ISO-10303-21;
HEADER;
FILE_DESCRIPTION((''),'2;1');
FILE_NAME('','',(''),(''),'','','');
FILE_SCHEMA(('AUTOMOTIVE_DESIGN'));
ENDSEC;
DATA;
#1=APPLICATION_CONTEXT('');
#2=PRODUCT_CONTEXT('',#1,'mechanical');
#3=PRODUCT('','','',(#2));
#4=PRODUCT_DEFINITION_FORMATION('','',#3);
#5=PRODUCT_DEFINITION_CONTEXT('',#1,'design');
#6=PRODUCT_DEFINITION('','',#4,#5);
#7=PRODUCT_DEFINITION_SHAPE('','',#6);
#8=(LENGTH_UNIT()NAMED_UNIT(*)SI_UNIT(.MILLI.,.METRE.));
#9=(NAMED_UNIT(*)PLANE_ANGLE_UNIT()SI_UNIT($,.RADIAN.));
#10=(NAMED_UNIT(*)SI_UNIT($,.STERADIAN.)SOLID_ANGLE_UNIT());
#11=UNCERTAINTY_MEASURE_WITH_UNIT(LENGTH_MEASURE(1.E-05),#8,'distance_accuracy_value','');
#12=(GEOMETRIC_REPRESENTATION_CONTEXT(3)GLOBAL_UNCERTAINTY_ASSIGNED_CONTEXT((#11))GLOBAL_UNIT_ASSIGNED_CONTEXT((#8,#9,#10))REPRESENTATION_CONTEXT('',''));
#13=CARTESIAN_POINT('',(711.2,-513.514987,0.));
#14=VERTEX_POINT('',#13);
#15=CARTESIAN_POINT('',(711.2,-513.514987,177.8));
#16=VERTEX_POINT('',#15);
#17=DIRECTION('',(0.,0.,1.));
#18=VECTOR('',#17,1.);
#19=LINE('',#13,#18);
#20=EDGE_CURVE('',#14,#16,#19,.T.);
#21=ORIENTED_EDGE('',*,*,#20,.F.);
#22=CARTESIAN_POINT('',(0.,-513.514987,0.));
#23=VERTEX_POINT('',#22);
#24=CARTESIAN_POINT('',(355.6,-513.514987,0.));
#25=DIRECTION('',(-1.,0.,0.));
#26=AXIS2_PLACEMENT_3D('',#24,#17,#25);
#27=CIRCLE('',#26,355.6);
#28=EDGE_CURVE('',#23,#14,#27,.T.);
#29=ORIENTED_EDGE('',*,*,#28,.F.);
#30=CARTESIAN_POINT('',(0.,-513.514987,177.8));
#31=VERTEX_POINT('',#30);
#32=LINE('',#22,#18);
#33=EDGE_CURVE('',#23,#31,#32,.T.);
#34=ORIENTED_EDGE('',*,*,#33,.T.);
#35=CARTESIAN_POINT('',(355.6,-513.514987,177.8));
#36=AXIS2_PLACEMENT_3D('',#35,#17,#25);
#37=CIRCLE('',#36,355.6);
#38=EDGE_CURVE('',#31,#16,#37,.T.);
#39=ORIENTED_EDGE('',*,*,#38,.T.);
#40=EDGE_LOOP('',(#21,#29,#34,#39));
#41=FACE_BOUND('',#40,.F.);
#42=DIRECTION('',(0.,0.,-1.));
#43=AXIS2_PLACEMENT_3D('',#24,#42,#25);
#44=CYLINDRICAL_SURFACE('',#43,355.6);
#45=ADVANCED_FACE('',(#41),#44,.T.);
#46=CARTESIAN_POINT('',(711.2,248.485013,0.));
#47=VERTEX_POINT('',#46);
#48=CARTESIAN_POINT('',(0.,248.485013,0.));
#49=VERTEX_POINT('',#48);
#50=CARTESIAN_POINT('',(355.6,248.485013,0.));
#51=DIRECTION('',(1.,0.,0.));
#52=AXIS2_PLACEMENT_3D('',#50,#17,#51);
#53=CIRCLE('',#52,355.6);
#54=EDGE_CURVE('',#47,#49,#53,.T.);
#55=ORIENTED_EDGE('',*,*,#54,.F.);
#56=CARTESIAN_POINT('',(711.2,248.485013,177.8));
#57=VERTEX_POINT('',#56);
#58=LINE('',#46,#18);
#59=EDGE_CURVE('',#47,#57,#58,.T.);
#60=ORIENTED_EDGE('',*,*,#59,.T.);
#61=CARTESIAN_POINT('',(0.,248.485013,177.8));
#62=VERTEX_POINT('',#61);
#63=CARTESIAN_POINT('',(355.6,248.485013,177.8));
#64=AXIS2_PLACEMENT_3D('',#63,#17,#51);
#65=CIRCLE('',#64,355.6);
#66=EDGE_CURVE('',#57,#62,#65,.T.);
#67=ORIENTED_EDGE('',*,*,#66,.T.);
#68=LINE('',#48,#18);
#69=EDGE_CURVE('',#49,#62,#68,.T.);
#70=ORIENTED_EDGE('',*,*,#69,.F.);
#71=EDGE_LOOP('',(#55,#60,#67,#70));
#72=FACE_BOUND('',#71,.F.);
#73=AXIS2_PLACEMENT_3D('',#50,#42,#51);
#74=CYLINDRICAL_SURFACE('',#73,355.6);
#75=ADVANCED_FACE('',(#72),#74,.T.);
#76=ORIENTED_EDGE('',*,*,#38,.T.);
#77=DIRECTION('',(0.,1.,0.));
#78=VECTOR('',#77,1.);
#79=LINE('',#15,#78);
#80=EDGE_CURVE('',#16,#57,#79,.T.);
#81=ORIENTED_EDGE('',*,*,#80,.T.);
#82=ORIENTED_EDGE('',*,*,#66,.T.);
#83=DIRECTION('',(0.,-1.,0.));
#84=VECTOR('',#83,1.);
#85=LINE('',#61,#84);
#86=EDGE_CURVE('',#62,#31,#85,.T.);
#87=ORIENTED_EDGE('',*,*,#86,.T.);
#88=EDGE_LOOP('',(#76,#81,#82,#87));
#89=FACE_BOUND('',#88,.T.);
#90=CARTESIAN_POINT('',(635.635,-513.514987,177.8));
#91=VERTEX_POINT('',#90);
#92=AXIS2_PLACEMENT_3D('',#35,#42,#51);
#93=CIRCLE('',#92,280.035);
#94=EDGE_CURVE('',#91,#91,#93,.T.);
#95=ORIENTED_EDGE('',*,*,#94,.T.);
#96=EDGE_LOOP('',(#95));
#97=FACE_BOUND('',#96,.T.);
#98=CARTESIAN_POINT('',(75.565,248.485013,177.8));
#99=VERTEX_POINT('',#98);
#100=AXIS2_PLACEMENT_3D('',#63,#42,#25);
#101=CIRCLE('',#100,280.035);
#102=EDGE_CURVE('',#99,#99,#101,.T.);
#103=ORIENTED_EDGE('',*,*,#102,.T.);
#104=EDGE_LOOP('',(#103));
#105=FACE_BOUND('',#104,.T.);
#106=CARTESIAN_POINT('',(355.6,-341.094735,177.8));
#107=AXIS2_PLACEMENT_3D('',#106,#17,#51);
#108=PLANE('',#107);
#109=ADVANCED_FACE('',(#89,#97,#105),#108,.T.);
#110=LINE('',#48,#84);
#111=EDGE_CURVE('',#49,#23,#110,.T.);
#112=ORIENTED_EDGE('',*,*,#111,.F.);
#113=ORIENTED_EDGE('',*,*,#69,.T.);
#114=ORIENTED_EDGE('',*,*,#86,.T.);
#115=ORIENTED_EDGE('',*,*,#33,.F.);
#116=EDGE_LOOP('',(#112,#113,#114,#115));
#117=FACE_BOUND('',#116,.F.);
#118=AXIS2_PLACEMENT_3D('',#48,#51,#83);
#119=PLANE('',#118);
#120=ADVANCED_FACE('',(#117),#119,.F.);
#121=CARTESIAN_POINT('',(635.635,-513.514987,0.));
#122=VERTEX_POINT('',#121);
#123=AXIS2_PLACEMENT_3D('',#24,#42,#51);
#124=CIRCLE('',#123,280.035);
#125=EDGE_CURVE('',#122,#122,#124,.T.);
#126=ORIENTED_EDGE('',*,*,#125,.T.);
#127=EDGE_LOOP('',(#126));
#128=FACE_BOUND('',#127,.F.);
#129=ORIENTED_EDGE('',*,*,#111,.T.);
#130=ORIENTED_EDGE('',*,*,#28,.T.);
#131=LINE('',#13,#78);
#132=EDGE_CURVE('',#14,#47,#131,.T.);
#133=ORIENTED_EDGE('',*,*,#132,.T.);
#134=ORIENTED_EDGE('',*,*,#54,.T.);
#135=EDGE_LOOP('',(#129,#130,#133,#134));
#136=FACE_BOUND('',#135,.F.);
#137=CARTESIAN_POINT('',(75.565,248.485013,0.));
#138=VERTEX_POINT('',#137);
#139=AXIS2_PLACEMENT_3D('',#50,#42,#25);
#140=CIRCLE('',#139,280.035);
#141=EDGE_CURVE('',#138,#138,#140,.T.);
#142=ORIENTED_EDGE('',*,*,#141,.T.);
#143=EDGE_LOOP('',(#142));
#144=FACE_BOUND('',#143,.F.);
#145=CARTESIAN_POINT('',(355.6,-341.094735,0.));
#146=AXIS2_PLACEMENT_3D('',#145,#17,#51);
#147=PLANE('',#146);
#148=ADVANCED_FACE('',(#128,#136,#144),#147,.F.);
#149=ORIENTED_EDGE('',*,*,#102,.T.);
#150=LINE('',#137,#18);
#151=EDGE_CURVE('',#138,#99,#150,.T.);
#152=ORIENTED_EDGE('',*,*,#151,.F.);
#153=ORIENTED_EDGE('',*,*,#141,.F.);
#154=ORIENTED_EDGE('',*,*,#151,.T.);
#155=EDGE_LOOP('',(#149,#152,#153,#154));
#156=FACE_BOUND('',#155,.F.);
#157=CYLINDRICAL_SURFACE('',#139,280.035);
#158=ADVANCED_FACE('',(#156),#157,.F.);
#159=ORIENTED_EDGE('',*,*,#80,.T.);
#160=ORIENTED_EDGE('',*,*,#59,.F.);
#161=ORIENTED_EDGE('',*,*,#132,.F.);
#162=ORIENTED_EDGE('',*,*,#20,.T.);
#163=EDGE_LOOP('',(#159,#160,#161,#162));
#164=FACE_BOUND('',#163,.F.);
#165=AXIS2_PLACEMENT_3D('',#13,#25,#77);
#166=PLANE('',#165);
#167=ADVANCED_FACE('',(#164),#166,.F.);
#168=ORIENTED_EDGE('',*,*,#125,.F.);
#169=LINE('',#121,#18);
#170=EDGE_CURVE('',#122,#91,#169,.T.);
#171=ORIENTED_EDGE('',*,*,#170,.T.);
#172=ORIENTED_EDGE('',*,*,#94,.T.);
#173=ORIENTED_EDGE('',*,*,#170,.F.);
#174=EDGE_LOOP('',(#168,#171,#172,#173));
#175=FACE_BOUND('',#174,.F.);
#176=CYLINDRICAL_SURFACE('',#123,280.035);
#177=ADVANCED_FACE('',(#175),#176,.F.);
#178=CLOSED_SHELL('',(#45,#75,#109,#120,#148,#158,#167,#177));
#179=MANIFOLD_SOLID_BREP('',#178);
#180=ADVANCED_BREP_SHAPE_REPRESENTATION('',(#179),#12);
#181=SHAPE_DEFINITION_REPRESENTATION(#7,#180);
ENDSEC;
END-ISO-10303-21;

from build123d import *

# Parameters (mm, degrees)
F1_DEPTH = 177.8


with BuildPart() as f1:
    # F0 (on Top) → F1 (new body)
    with BuildSketch(Plane.XY):
        with BuildLine():
            Line((635.635, -513.514987), (711.2, -513.514987))
            ThreePointArc((711.2, -513.514987), (355.6, -157.914987), (0, -513.514987))
            Line((0, -513.514987), (75.565, -513.514987))
            ThreePointArc((75.565, -513.514987), (355.6, -233.479987), (635.635, -513.514987))
        make_face()
        with BuildLine():
            ThreePointArc((0, -513.514987), (355.6, -869.114987), (711.2, -513.514987))
            Line((711.2, -513.514987), (635.635, -513.514987))
            ThreePointArc((635.635, -513.514987), (355.6, -793.549987), (75.565, -513.514987))
            Line((75.565, -513.514987), (0, -513.514987))
        make_face()
        with BuildLine():
            Line((711.2, -513.514987), (711.2, 248.485013))
            ThreePointArc((711.2, 248.485013), (355.6, -107.114987), (0, 248.485013))
            Line((0, 248.485013), (0, -513.514987))
            ThreePointArc((0, -513.514987), (355.6, -157.914987), (711.2, -513.514987))
        make_face()
        with BuildLine():
            ThreePointArc((75.565, 248.485013), (355.6, 528.520013), (635.635, 248.485013))
            Line((635.635, 248.485013), (711.2, 248.485013))
            ThreePointArc((711.2, 248.485013), (355.6, 604.085013), (0, 248.485013))
            Line((0, 248.485013), (75.565, 248.485013))
        make_face()
        with BuildLine():
            Line((711.2, 248.485013), (635.635, 248.485013))
            ThreePointArc((635.635, 248.485013), (355.6, -31.549987), (75.565, 248.485013))
            Line((75.565, 248.485013), (0, 248.485013))
            ThreePointArc((0, 248.485013), (355.6, -107.114987), (711.2, 248.485013))
        make_face()
    extrude(amount=F1_DEPTH)


solid = f1.part
